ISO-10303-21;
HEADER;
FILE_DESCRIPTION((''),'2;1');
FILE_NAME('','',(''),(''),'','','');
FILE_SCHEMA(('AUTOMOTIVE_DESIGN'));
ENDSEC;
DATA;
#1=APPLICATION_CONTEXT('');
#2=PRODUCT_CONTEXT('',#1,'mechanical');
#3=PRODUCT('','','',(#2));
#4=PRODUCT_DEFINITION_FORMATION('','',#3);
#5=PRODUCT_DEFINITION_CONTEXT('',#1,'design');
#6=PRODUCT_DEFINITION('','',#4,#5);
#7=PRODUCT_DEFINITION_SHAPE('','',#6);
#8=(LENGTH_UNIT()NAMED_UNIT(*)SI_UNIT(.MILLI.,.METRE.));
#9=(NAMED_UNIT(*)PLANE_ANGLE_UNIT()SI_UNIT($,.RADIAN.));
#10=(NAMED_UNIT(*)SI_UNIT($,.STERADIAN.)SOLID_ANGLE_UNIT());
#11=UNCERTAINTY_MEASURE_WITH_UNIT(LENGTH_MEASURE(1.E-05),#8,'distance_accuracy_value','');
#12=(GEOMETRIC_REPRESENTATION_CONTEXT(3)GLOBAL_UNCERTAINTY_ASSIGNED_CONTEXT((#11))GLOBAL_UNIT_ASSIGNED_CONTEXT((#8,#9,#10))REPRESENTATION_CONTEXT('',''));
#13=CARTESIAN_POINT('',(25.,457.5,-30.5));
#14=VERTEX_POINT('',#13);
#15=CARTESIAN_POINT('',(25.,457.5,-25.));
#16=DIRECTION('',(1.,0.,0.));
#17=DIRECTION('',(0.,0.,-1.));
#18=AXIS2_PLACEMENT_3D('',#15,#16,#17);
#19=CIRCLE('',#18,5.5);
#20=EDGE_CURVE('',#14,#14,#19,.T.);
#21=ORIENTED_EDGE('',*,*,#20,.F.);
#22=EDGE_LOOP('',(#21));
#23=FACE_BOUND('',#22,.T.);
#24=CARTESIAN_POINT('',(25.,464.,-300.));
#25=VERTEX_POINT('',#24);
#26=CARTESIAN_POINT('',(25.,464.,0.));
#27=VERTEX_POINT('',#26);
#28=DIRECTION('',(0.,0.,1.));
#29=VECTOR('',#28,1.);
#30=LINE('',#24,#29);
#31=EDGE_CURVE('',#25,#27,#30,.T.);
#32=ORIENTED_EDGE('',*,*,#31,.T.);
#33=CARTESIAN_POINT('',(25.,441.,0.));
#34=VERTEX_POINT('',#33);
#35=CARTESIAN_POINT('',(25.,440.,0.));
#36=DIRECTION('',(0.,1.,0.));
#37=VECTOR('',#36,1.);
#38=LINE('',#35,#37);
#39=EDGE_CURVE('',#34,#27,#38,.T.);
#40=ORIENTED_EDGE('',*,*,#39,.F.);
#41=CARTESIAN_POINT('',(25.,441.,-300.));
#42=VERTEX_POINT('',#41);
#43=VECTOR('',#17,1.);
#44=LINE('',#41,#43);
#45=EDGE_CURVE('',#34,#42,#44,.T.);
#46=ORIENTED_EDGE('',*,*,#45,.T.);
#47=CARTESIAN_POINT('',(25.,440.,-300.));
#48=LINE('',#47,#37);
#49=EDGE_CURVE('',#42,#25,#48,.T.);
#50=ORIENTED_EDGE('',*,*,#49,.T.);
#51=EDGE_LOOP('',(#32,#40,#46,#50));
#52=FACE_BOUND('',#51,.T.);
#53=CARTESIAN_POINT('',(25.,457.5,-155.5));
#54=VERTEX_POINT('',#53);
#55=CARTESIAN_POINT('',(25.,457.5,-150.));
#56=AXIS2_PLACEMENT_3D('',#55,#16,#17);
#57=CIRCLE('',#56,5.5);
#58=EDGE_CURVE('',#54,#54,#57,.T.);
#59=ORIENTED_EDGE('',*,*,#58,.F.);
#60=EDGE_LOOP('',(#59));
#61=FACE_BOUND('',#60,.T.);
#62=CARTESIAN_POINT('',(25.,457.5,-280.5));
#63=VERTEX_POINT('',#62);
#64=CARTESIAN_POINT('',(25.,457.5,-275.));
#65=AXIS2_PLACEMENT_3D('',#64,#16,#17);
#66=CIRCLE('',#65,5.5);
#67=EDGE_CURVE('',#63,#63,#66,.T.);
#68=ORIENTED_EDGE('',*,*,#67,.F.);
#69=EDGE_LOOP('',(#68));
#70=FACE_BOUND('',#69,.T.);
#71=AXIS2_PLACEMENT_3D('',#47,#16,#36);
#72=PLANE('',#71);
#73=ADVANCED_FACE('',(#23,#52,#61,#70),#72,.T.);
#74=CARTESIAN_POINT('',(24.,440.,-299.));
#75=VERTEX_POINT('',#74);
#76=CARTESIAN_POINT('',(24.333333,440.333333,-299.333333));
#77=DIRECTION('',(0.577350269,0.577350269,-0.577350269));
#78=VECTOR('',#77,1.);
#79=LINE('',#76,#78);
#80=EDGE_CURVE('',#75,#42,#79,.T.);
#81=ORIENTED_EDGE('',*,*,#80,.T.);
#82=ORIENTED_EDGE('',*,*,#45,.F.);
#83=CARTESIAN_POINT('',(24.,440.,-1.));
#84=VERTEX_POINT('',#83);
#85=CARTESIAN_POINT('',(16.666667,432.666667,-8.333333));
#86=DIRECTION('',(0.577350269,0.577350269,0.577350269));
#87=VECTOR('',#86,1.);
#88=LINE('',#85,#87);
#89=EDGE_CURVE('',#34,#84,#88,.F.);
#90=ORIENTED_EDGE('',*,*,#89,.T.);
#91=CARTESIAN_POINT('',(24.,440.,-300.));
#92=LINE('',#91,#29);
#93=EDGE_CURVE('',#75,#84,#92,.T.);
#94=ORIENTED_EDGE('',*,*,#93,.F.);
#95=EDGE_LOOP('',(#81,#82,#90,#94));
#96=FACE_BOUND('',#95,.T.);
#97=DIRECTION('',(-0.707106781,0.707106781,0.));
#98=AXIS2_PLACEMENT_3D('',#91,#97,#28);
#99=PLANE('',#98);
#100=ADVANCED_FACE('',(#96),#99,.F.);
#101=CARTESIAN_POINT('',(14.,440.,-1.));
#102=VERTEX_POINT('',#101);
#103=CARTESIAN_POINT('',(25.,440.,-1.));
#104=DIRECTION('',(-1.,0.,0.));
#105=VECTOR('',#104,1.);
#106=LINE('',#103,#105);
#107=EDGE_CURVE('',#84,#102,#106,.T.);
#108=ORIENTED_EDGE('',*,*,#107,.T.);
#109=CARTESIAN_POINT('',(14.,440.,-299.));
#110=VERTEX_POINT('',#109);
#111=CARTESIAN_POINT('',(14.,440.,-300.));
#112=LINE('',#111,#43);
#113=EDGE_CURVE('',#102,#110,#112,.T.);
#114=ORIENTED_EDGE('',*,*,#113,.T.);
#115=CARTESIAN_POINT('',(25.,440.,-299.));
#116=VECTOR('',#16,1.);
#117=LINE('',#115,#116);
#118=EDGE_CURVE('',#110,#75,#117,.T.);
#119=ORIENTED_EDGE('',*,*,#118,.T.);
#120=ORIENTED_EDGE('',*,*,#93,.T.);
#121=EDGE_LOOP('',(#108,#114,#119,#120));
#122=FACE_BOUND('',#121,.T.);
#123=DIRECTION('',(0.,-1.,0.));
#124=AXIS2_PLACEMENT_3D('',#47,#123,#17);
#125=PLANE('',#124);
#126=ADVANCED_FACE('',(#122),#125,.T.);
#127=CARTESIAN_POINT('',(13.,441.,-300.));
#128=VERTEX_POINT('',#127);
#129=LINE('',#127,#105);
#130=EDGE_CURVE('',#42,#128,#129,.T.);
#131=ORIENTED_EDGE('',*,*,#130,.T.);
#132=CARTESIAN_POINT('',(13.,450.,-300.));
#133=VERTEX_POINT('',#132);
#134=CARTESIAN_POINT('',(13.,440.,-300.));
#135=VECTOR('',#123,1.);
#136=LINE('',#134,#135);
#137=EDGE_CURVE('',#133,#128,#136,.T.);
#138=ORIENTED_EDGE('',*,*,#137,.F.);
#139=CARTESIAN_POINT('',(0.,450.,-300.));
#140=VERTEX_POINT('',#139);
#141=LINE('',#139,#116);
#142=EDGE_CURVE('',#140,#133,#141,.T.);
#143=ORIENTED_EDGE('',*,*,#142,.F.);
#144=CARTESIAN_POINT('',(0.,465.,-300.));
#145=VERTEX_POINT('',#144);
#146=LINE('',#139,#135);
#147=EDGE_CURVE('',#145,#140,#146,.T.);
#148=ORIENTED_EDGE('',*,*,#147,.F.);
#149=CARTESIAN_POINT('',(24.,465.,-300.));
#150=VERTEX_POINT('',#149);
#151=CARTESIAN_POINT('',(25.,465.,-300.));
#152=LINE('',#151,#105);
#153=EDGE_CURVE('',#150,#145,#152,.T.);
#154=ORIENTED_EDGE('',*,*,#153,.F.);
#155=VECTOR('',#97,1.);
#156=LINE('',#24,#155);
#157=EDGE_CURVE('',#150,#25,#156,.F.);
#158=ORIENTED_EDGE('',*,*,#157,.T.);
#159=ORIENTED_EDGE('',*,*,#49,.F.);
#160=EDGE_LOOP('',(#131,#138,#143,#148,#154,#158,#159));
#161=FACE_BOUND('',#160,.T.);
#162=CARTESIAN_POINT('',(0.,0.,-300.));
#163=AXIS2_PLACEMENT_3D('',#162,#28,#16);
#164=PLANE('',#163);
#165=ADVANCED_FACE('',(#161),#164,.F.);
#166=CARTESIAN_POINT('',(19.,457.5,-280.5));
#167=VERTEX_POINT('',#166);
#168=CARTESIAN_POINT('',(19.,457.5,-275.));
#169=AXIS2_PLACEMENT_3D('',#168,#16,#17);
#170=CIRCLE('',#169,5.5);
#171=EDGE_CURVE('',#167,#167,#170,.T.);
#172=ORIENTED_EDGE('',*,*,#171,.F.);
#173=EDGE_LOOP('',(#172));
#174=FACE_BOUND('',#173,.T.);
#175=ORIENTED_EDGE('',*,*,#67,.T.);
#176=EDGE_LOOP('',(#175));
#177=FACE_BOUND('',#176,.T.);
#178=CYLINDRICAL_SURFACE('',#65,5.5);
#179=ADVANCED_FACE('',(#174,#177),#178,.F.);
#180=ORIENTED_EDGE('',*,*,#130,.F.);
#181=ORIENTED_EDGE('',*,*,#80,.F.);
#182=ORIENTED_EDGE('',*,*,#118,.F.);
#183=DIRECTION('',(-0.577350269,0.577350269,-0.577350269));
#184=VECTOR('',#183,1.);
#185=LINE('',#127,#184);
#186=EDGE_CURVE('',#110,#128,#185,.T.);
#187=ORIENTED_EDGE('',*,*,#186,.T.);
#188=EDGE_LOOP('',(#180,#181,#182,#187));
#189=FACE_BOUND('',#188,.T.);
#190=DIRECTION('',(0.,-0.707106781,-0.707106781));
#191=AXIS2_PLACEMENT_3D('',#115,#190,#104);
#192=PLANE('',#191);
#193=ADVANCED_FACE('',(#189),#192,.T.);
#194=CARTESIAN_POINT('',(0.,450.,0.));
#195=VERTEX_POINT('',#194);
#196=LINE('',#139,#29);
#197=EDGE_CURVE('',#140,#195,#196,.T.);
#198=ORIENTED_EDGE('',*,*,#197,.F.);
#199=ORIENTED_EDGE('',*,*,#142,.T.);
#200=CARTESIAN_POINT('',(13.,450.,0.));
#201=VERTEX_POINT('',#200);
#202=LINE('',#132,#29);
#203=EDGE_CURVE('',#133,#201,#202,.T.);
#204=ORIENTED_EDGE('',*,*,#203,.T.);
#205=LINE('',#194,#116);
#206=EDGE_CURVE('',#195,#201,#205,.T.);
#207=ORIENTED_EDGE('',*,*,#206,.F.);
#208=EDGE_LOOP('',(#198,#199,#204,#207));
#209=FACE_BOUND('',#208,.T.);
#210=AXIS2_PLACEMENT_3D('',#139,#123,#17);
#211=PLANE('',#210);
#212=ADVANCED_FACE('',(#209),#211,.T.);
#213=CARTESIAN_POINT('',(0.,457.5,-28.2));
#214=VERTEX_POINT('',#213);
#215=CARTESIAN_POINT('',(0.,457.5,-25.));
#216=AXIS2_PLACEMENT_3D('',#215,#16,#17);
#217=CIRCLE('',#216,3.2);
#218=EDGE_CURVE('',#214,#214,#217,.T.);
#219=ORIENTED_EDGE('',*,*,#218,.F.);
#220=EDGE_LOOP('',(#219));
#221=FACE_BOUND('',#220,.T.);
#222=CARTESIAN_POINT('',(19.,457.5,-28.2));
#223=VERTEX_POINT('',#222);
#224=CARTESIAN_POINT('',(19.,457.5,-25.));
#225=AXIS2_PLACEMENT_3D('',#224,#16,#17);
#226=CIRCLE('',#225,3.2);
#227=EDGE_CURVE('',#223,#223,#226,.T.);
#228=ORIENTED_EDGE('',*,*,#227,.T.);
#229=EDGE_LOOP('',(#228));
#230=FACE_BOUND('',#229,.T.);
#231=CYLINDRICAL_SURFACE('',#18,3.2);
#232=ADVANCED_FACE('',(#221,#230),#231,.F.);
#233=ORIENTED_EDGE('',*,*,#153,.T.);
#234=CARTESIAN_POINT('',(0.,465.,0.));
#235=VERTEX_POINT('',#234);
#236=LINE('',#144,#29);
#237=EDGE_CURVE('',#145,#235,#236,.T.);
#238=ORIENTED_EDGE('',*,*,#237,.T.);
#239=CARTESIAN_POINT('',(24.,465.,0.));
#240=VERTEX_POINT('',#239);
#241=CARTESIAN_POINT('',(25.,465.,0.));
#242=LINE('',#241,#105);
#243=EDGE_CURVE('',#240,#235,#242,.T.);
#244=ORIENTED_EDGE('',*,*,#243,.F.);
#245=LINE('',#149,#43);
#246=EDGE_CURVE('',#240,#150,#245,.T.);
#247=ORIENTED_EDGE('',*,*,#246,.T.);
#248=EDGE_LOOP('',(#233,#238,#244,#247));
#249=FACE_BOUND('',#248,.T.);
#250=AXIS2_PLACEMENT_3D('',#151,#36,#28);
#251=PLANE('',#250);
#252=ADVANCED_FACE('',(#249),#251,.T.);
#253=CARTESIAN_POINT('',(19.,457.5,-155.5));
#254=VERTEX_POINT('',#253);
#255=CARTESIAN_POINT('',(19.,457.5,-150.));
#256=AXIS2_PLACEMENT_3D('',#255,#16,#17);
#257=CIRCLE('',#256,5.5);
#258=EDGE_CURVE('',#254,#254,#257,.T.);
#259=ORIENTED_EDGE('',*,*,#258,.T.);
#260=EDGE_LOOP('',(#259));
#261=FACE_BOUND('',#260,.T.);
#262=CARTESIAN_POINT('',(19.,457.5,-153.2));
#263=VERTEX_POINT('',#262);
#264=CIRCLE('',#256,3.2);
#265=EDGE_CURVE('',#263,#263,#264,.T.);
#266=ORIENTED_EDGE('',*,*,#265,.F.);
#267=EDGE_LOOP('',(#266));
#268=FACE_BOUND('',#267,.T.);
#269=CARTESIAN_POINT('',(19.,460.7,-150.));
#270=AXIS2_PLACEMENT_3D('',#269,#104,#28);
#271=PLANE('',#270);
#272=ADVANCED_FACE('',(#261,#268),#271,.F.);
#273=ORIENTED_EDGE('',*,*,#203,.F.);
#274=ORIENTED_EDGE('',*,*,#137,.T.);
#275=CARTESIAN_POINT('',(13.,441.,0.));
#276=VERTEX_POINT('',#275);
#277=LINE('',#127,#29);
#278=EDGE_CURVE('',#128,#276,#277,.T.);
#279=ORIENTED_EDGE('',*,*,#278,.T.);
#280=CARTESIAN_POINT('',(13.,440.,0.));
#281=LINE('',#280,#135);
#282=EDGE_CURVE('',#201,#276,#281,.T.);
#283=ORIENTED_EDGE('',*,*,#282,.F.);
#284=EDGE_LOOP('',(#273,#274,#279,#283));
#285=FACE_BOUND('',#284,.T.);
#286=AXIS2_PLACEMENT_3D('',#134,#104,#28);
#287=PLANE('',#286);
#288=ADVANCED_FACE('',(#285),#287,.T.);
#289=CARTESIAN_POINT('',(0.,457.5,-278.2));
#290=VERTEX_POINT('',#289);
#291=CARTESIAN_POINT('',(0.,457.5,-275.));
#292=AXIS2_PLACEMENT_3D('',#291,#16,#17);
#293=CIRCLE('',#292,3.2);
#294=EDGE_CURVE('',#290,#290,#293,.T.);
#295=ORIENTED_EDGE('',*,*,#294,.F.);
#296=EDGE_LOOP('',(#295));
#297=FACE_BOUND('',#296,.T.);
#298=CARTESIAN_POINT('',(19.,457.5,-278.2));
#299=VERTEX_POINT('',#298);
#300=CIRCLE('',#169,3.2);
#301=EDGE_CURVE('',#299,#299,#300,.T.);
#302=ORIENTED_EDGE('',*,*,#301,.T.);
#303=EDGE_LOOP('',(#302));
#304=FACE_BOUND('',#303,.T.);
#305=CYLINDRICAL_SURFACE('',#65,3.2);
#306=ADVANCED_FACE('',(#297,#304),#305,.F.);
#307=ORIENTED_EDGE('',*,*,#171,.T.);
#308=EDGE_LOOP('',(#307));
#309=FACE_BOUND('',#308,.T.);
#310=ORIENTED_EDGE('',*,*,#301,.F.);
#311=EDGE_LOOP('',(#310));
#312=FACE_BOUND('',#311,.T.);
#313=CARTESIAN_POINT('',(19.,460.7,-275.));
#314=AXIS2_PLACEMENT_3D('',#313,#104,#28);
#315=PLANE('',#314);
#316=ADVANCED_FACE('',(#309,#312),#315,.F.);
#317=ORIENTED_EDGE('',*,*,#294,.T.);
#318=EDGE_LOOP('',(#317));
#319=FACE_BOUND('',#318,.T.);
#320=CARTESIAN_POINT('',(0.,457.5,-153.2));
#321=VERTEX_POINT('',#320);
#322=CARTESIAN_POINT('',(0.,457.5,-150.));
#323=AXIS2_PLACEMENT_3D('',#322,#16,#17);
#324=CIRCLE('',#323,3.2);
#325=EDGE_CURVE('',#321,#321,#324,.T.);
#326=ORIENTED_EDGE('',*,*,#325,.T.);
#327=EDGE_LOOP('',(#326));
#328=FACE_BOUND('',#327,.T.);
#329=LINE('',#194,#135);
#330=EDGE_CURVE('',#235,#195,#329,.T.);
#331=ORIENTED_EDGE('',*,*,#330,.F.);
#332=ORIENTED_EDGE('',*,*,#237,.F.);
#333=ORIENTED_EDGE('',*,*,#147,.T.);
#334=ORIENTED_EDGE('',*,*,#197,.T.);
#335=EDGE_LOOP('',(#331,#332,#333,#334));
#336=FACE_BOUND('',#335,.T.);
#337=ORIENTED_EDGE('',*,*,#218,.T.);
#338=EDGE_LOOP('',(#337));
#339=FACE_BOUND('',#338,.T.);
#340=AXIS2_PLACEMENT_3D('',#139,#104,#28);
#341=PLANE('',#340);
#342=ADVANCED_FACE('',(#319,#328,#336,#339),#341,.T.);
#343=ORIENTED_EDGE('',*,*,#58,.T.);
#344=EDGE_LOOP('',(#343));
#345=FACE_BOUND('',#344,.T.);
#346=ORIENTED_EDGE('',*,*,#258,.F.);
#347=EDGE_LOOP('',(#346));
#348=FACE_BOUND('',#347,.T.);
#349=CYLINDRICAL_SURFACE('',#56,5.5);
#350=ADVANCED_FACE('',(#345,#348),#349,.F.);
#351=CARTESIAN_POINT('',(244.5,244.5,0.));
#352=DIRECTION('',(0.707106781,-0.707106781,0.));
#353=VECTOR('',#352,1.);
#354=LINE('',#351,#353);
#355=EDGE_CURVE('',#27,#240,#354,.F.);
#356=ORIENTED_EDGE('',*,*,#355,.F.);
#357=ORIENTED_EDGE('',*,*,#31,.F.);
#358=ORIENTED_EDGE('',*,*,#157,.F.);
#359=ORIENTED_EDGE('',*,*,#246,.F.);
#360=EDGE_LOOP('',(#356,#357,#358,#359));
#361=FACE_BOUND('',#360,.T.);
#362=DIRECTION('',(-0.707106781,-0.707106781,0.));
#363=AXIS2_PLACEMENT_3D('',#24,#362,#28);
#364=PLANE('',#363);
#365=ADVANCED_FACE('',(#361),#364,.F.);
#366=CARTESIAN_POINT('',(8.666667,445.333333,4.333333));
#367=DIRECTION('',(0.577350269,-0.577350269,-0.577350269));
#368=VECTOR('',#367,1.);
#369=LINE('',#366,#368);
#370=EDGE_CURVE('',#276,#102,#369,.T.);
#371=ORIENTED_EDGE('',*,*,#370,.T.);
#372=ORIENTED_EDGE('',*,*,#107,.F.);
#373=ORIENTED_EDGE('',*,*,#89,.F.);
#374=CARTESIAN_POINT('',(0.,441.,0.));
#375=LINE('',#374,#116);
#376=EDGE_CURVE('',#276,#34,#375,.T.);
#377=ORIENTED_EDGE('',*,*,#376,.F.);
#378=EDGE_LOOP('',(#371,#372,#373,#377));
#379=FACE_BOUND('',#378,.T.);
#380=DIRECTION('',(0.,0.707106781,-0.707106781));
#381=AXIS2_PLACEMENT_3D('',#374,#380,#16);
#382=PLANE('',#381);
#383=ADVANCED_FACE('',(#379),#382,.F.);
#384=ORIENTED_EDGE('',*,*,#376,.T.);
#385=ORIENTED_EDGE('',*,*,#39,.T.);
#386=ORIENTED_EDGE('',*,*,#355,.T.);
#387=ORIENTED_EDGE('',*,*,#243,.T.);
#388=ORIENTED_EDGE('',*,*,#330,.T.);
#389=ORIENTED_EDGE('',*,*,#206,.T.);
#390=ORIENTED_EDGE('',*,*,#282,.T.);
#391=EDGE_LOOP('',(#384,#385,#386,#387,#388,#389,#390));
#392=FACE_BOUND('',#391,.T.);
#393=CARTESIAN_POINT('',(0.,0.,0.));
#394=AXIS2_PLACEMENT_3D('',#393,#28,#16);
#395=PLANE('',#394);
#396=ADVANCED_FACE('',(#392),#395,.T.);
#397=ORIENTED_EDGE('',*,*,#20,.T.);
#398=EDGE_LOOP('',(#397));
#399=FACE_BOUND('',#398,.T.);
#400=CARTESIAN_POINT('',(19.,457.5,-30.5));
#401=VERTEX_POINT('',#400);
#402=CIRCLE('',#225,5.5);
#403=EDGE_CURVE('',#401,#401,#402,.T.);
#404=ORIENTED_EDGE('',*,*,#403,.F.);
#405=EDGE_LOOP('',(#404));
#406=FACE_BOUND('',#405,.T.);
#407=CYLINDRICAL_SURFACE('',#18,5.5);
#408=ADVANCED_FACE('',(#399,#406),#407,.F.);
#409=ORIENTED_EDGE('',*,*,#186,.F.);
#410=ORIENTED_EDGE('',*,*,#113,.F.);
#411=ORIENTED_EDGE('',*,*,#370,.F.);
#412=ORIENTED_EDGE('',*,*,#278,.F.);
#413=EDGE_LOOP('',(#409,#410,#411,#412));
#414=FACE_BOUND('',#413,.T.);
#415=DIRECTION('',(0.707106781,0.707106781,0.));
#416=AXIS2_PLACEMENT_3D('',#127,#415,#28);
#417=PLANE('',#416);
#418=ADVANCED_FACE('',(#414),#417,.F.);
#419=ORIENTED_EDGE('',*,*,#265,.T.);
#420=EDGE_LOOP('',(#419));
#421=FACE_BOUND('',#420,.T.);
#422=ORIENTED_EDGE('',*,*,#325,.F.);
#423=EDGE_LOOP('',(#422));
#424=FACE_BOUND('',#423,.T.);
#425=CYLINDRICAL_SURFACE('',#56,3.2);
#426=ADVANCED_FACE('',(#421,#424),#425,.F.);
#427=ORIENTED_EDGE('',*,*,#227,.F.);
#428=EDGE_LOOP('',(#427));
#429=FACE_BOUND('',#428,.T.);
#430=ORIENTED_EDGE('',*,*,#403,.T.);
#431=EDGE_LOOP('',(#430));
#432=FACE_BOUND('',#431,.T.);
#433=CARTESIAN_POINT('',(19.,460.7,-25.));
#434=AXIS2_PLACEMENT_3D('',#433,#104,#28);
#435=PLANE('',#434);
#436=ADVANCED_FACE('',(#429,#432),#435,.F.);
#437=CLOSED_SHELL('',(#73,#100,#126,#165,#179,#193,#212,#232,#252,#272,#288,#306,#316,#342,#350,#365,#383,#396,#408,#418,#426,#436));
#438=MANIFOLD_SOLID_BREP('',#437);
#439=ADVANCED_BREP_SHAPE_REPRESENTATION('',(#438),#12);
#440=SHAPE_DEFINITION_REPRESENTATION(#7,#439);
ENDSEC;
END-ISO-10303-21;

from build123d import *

# Parameters (mm, degrees)
EXTRUDE_1_DEPTH              = 300
HOLE_WIZARD_M6_1_D           = 6.4
HOLE_WIZARD_M6_1_CBORE_D     = 11
HOLE_WIZARD_M6_1_CBORE_DEPTH = 6
CHAMFER_1_SIZE               = 1
CHAMFER_2_SIZE               = 1


with BuildPart() as part:
    # 草图1 → 凸台-拉伸1 (new body)
    with BuildSketch(Plane.XY):
        Polygon((25, 440), (13, 440), (13, 450), (0, 450), (0, 465), (25, 465), align=None)
    extrude(amount=-EXTRUDE_1_DEPTH)

    # M6 凹头盖螺钉的柱形沉头孔1 (through all)
    with Locations(Plane(origin=(25, 0, 0), x_dir=(0, 0, -1), z_dir=(1, 0, 0))):
        with Locations((25, 457.5), (275, 457.5), (150, 457.5)):
            CounterBoreHole(HOLE_WIZARD_M6_1_D / 2, HOLE_WIZARD_M6_1_CBORE_D / 2, HOLE_WIZARD_M6_1_CBORE_DEPTH)

    # 倒角1
    chamfer_1_edges = [part.edges().sort_by_distance(p)[0] for p in [
        (25, 440, -150),
        (13, 440, -150),
        (19, 440, -300),
        (19, 440, 0),
    ]]
    chamfer(chamfer_1_edges, length=CHAMFER_1_SIZE)

    # 倒角2
    chamfer_2_edges = [part.edges().sort_by_distance(p)[0] for p in [
        (25, 465, -150),
    ]]
    chamfer(chamfer_2_edges, length=CHAMFER_2_SIZE)


solid = part.part
